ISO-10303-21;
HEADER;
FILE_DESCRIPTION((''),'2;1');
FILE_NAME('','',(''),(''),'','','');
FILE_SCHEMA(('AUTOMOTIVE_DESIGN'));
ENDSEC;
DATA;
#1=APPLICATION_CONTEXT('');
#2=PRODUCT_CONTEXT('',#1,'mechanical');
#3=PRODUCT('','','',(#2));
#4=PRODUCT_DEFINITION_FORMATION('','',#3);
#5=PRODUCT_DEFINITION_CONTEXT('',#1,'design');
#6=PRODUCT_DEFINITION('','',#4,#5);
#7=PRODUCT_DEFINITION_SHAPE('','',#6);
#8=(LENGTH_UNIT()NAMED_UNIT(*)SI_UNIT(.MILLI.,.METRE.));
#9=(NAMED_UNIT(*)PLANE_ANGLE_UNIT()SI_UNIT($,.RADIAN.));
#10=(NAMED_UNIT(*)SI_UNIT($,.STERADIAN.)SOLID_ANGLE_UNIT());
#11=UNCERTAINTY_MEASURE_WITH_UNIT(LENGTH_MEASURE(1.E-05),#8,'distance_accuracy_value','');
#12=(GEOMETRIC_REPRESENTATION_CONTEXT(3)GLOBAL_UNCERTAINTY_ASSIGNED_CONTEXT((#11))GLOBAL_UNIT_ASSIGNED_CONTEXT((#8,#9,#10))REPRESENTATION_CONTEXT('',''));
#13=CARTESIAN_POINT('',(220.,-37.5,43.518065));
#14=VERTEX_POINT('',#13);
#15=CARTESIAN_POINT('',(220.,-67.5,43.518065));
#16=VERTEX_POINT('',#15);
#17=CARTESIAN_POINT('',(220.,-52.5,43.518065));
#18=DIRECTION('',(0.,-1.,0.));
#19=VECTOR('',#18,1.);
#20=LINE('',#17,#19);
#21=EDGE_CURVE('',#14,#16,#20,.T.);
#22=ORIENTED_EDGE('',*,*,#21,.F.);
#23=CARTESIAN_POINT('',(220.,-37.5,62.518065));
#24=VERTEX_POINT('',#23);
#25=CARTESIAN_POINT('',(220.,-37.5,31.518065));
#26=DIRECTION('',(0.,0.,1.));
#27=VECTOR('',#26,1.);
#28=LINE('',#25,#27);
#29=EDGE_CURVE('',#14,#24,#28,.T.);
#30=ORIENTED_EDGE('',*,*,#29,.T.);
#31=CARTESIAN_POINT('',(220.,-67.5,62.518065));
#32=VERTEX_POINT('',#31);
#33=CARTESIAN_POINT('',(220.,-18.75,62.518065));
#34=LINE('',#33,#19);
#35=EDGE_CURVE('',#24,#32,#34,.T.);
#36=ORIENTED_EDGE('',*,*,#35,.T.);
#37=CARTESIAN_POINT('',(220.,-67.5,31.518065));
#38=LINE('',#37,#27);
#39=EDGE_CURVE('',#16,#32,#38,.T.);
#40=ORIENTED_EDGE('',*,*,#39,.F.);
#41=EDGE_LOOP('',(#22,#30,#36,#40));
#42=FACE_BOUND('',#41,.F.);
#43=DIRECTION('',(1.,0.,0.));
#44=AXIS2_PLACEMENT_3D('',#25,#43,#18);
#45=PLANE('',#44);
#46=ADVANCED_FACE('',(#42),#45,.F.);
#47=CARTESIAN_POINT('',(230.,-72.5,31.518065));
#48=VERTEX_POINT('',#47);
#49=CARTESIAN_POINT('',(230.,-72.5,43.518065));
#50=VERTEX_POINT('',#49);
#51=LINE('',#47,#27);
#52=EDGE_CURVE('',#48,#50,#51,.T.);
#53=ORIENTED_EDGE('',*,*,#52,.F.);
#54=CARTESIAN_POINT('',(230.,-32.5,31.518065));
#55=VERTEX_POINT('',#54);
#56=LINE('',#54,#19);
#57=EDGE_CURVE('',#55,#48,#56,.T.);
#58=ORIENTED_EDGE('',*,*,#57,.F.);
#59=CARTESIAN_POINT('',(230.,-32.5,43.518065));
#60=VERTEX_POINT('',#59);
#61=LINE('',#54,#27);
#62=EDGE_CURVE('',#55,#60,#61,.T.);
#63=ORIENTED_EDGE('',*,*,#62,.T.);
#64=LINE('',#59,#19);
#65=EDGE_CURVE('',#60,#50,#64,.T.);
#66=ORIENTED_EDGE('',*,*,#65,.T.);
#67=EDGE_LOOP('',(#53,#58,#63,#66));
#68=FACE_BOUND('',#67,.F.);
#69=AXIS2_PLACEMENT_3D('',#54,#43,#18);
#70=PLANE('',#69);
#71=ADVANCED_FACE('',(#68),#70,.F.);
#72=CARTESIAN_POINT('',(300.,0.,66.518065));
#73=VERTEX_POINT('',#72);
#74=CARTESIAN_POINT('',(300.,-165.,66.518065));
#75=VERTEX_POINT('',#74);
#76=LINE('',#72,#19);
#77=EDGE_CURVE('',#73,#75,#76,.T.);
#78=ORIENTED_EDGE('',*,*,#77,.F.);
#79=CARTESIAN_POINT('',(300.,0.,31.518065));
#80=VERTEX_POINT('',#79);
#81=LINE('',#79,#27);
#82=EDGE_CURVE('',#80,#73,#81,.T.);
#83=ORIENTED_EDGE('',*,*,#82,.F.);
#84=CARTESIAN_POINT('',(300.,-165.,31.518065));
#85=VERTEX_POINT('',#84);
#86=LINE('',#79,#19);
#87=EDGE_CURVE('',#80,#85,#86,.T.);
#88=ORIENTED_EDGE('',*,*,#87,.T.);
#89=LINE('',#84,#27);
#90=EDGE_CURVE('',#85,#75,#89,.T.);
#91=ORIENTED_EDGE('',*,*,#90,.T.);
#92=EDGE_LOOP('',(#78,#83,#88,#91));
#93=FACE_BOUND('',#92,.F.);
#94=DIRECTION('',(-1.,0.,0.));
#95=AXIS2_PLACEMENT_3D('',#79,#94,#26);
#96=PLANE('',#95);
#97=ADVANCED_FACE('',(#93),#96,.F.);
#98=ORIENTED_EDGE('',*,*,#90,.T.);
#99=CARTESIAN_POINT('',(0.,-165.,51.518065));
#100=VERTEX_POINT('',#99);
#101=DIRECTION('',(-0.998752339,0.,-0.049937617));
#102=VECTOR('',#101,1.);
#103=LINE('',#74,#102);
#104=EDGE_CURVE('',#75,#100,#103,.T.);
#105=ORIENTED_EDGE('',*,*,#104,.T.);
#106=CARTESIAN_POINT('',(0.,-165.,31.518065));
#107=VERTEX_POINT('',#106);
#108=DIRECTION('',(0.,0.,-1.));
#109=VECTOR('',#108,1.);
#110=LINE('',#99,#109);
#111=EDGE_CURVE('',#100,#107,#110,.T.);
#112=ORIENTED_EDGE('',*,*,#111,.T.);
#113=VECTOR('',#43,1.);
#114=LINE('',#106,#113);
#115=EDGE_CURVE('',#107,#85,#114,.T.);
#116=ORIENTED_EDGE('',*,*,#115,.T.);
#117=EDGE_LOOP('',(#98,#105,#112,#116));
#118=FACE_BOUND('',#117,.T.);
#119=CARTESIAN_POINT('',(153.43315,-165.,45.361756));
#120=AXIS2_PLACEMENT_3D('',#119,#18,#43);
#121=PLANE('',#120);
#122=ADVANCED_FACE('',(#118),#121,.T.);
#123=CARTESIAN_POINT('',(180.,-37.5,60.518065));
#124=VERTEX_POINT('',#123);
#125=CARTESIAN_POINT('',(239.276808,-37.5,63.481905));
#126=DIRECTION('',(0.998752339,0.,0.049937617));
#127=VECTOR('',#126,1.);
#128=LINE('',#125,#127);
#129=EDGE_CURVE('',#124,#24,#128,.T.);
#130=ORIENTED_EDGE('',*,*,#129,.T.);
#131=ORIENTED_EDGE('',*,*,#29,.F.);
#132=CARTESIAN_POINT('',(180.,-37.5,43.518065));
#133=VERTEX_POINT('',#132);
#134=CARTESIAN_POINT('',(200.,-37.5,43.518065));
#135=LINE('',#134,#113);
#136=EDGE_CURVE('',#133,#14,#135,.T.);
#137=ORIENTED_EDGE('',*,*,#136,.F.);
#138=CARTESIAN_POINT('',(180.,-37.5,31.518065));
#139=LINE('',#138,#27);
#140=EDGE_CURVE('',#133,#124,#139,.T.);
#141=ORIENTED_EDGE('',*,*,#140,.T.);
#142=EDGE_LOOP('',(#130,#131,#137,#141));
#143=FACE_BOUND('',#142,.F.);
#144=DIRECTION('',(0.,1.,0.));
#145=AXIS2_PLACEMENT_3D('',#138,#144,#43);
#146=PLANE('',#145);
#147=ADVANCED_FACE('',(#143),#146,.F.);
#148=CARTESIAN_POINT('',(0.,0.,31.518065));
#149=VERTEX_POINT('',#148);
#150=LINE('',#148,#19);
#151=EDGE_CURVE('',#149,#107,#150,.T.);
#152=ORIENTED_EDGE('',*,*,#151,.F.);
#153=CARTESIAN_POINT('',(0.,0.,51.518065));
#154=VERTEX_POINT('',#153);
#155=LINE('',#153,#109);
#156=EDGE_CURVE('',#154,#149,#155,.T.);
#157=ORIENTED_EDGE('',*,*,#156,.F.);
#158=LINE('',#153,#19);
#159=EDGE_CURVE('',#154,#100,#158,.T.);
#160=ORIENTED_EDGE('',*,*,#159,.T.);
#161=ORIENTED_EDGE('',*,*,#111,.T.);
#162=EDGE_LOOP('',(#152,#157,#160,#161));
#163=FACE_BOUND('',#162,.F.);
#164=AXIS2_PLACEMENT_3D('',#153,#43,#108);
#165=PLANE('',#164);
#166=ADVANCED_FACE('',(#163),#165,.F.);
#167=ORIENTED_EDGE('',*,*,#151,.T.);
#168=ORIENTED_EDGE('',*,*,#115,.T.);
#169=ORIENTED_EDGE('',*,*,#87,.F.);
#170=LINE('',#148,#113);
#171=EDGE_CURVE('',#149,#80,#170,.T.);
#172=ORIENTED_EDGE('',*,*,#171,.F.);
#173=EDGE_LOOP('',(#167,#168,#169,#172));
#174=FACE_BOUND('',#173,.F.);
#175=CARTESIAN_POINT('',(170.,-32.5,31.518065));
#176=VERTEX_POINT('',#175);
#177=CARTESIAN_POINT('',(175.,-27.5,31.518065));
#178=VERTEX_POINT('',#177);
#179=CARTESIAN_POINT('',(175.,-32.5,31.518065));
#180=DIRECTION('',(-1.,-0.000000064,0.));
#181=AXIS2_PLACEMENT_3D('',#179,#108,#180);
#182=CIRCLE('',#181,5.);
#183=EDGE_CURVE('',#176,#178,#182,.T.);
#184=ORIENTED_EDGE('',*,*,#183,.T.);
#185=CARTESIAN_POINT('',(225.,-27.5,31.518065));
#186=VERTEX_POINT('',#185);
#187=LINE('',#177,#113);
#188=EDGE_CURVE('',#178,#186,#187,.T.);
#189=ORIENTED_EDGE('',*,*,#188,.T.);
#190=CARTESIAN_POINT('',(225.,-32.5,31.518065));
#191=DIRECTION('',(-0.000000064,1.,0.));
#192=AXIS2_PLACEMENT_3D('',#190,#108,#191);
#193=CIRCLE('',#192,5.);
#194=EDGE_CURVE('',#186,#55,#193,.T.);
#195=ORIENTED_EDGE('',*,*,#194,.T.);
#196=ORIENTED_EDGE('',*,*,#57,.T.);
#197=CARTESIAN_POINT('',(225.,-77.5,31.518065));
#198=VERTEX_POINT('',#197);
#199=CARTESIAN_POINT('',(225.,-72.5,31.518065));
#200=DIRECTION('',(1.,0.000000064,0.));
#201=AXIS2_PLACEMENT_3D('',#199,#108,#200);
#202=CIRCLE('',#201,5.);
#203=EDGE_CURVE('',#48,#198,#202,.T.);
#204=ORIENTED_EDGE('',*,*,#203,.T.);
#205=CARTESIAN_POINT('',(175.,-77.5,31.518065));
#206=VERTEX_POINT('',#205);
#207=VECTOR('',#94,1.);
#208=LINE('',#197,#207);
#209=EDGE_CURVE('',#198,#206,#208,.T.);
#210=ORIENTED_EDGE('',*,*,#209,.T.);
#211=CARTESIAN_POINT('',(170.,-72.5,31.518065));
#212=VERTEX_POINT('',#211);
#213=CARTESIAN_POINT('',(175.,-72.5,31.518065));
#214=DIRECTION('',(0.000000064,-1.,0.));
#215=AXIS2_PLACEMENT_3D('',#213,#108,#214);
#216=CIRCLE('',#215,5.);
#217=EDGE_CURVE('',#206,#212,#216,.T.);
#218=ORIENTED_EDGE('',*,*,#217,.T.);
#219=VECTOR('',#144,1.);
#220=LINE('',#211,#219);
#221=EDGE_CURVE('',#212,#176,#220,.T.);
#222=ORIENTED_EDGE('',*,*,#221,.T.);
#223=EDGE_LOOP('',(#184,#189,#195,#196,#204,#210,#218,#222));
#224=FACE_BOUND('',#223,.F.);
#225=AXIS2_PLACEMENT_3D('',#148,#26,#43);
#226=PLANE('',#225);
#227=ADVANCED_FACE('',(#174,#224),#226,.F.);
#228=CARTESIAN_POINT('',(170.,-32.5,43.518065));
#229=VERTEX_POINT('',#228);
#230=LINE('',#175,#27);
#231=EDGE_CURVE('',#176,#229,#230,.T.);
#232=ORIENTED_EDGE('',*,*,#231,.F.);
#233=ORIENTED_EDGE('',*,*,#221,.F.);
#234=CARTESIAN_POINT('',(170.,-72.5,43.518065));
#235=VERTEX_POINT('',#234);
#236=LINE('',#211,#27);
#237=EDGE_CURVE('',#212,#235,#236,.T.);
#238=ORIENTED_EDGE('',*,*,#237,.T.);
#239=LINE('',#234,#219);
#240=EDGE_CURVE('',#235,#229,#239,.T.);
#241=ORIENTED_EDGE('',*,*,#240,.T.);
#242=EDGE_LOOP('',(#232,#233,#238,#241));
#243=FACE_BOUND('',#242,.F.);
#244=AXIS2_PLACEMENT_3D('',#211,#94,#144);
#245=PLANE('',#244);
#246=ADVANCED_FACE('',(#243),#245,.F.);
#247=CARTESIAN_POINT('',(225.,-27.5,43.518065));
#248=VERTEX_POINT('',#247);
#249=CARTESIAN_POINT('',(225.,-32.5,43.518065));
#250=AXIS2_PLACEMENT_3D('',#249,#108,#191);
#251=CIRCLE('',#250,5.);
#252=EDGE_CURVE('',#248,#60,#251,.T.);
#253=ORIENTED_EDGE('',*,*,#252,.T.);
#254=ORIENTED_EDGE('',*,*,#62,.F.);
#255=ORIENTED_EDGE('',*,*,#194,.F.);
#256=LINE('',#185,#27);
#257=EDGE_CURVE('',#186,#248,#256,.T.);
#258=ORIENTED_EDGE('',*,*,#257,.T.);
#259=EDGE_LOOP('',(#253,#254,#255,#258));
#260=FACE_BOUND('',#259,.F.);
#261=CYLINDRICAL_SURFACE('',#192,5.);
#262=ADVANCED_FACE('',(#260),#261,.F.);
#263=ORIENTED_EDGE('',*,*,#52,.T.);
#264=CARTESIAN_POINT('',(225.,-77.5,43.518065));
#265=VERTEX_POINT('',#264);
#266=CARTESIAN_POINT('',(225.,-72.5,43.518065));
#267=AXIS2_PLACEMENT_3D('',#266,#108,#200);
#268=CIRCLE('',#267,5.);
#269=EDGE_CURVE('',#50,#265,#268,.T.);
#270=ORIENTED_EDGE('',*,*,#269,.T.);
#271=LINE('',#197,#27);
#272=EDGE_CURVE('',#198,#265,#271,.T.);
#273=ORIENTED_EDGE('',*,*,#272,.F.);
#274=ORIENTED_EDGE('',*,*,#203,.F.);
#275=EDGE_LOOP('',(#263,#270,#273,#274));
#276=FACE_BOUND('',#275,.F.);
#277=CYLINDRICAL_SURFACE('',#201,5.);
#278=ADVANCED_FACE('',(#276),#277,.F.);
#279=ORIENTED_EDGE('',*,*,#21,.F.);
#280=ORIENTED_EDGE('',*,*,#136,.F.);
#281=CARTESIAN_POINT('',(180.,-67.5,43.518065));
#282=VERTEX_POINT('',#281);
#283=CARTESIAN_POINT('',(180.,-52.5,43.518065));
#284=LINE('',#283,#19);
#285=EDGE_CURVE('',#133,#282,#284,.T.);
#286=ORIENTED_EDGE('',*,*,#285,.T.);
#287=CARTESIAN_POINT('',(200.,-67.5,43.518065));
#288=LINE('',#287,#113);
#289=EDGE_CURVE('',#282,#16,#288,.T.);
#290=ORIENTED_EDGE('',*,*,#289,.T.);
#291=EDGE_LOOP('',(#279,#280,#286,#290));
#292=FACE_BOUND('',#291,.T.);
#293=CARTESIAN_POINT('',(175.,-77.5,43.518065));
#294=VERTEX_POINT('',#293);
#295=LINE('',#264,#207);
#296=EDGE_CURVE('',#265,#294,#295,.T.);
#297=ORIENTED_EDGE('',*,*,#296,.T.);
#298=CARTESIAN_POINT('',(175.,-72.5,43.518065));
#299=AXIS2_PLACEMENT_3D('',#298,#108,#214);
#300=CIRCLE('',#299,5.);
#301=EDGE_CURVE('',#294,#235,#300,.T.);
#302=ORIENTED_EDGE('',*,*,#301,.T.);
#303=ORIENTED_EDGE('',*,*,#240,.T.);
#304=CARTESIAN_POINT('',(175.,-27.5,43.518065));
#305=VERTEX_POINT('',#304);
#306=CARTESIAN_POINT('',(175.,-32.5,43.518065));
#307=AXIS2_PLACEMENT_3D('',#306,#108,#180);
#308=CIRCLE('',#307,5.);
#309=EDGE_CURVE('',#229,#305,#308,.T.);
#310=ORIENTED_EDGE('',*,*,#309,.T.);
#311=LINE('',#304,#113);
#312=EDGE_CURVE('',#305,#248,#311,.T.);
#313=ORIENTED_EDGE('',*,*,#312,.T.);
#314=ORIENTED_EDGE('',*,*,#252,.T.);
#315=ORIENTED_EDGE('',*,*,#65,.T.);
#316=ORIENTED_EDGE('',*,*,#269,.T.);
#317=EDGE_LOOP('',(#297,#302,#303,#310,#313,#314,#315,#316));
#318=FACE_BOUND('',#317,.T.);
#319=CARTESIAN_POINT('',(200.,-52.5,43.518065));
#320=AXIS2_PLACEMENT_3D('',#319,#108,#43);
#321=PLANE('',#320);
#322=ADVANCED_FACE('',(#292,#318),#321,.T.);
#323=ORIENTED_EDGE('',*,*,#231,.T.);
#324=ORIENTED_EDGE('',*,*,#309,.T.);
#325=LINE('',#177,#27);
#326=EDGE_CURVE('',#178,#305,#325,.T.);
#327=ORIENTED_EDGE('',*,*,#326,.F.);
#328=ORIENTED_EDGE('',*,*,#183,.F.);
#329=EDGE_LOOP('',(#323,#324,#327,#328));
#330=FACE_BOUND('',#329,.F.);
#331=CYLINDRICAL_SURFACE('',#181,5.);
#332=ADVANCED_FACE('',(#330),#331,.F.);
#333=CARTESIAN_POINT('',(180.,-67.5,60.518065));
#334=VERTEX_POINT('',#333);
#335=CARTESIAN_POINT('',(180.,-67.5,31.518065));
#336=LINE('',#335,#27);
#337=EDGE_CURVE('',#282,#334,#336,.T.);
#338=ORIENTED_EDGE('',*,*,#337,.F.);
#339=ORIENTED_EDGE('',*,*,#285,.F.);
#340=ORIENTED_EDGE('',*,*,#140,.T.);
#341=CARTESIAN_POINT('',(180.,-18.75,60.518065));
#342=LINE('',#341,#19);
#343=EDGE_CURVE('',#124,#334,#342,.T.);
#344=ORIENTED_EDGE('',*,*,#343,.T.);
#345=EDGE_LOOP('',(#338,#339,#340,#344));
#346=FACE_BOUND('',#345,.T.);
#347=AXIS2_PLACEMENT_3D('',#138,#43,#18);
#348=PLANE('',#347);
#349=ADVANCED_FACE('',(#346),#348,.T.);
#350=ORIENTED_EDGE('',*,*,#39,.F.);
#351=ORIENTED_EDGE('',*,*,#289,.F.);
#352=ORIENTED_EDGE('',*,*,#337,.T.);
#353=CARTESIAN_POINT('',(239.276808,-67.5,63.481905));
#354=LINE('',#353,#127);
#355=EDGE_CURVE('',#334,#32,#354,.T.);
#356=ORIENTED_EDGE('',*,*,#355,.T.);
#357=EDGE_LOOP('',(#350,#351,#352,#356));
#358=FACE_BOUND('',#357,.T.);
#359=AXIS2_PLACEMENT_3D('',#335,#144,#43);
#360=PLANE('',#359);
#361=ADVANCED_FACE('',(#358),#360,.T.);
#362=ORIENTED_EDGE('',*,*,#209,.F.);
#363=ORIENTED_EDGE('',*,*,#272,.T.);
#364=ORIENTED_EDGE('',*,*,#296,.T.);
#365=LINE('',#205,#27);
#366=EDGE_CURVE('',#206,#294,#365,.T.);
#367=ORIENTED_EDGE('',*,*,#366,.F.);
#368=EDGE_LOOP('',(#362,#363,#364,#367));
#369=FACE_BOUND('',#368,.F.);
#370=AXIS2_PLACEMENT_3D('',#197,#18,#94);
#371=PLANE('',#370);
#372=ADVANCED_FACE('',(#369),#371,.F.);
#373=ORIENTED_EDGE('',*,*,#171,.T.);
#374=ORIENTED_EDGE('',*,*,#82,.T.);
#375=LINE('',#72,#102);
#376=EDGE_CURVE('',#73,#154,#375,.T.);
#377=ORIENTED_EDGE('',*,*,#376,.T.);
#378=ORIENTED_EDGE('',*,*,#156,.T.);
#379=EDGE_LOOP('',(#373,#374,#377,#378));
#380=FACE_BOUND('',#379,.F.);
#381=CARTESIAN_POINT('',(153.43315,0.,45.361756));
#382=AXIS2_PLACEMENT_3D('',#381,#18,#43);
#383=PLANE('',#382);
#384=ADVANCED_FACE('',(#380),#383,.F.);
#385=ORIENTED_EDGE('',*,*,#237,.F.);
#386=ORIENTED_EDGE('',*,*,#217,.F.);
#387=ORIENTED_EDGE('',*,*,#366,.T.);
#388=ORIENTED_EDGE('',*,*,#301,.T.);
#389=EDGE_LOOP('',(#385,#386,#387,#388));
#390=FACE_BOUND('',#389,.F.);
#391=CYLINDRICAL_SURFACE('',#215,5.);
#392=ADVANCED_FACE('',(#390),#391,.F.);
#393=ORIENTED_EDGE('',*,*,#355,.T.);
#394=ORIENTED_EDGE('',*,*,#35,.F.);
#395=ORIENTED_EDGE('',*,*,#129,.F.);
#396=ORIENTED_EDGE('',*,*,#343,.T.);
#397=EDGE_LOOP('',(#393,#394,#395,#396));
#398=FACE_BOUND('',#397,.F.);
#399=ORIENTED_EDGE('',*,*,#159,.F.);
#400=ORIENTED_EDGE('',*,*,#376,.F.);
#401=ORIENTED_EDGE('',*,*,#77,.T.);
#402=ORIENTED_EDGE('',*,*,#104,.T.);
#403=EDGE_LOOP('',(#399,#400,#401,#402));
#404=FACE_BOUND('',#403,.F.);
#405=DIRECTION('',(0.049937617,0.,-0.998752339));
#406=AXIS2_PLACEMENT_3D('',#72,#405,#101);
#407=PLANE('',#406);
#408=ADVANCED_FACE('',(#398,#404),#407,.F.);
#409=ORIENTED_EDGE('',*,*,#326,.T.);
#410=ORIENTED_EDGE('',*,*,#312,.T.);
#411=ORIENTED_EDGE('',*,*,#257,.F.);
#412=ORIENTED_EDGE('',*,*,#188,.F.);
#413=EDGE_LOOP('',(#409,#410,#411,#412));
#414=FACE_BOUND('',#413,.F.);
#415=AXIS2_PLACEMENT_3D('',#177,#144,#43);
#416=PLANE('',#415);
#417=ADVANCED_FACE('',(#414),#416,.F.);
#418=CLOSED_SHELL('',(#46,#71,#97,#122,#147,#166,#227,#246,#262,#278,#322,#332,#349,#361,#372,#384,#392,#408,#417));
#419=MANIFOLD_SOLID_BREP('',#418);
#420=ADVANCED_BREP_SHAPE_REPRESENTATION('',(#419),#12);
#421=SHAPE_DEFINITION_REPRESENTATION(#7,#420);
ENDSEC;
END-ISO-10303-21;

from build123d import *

# Parameters (mm, degrees)
F1_DEPTH = 165
F2_W     = 40
F2_H     = 30
F3_DEPTH = 35.001
F4_W     = 40
F4_H     = 30
F5_DEPTH = 12


with BuildPart() as f1:
    # F0 (on Front) → F1 (new body)
    with BuildSketch(Plane.XZ):
        Polygon((0, 51.518065), (0, 31.518065), (300, 31.518065), (300, 66.518065), align=None)
    extrude(amount=F1_DEPTH)

    # F2 (on face) → F3 (cut, through all)
    with BuildSketch(Plane(origin=(0, 0, 31.518065), x_dir=(1, 0, 0), z_dir=(0, 0, -1))):
        with Locations((200, 52.5)):
            Rectangle(F2_W, F2_H)
    extrude(amount=-F3_DEPTH, mode=Mode.SUBTRACT)

    # F4 (on face) → F5 (cut)
    with BuildSketch(Plane(origin=(0, 0, 31.518065), x_dir=(1, 0, 0), z_dir=(0, 0, -1))):
        with BuildLine():
            Line((170, 72.5), (170, 32.5))
            ThreePointArc((170, 32.5), (171.464466, 28.964466), (175, 27.5))
            Line((175, 27.5), (225, 27.5))
            ThreePointArc((225, 27.5), (228.535534, 28.964466), (230, 32.5))
            Line((230, 32.5), (230, 72.5))
            ThreePointArc((230, 72.5), (228.535534, 76.035534), (225, 77.5))
            Line((225, 77.5), (175, 77.5))
            ThreePointArc((175, 77.5), (171.464466, 76.035534), (170, 72.5))
        make_face()
        with Locations((200, 52.5)):
            Rectangle(F4_W, F4_H, mode=Mode.SUBTRACT)
    extrude(amount=-F5_DEPTH, mode=Mode.SUBTRACT)


solid = f1.part
